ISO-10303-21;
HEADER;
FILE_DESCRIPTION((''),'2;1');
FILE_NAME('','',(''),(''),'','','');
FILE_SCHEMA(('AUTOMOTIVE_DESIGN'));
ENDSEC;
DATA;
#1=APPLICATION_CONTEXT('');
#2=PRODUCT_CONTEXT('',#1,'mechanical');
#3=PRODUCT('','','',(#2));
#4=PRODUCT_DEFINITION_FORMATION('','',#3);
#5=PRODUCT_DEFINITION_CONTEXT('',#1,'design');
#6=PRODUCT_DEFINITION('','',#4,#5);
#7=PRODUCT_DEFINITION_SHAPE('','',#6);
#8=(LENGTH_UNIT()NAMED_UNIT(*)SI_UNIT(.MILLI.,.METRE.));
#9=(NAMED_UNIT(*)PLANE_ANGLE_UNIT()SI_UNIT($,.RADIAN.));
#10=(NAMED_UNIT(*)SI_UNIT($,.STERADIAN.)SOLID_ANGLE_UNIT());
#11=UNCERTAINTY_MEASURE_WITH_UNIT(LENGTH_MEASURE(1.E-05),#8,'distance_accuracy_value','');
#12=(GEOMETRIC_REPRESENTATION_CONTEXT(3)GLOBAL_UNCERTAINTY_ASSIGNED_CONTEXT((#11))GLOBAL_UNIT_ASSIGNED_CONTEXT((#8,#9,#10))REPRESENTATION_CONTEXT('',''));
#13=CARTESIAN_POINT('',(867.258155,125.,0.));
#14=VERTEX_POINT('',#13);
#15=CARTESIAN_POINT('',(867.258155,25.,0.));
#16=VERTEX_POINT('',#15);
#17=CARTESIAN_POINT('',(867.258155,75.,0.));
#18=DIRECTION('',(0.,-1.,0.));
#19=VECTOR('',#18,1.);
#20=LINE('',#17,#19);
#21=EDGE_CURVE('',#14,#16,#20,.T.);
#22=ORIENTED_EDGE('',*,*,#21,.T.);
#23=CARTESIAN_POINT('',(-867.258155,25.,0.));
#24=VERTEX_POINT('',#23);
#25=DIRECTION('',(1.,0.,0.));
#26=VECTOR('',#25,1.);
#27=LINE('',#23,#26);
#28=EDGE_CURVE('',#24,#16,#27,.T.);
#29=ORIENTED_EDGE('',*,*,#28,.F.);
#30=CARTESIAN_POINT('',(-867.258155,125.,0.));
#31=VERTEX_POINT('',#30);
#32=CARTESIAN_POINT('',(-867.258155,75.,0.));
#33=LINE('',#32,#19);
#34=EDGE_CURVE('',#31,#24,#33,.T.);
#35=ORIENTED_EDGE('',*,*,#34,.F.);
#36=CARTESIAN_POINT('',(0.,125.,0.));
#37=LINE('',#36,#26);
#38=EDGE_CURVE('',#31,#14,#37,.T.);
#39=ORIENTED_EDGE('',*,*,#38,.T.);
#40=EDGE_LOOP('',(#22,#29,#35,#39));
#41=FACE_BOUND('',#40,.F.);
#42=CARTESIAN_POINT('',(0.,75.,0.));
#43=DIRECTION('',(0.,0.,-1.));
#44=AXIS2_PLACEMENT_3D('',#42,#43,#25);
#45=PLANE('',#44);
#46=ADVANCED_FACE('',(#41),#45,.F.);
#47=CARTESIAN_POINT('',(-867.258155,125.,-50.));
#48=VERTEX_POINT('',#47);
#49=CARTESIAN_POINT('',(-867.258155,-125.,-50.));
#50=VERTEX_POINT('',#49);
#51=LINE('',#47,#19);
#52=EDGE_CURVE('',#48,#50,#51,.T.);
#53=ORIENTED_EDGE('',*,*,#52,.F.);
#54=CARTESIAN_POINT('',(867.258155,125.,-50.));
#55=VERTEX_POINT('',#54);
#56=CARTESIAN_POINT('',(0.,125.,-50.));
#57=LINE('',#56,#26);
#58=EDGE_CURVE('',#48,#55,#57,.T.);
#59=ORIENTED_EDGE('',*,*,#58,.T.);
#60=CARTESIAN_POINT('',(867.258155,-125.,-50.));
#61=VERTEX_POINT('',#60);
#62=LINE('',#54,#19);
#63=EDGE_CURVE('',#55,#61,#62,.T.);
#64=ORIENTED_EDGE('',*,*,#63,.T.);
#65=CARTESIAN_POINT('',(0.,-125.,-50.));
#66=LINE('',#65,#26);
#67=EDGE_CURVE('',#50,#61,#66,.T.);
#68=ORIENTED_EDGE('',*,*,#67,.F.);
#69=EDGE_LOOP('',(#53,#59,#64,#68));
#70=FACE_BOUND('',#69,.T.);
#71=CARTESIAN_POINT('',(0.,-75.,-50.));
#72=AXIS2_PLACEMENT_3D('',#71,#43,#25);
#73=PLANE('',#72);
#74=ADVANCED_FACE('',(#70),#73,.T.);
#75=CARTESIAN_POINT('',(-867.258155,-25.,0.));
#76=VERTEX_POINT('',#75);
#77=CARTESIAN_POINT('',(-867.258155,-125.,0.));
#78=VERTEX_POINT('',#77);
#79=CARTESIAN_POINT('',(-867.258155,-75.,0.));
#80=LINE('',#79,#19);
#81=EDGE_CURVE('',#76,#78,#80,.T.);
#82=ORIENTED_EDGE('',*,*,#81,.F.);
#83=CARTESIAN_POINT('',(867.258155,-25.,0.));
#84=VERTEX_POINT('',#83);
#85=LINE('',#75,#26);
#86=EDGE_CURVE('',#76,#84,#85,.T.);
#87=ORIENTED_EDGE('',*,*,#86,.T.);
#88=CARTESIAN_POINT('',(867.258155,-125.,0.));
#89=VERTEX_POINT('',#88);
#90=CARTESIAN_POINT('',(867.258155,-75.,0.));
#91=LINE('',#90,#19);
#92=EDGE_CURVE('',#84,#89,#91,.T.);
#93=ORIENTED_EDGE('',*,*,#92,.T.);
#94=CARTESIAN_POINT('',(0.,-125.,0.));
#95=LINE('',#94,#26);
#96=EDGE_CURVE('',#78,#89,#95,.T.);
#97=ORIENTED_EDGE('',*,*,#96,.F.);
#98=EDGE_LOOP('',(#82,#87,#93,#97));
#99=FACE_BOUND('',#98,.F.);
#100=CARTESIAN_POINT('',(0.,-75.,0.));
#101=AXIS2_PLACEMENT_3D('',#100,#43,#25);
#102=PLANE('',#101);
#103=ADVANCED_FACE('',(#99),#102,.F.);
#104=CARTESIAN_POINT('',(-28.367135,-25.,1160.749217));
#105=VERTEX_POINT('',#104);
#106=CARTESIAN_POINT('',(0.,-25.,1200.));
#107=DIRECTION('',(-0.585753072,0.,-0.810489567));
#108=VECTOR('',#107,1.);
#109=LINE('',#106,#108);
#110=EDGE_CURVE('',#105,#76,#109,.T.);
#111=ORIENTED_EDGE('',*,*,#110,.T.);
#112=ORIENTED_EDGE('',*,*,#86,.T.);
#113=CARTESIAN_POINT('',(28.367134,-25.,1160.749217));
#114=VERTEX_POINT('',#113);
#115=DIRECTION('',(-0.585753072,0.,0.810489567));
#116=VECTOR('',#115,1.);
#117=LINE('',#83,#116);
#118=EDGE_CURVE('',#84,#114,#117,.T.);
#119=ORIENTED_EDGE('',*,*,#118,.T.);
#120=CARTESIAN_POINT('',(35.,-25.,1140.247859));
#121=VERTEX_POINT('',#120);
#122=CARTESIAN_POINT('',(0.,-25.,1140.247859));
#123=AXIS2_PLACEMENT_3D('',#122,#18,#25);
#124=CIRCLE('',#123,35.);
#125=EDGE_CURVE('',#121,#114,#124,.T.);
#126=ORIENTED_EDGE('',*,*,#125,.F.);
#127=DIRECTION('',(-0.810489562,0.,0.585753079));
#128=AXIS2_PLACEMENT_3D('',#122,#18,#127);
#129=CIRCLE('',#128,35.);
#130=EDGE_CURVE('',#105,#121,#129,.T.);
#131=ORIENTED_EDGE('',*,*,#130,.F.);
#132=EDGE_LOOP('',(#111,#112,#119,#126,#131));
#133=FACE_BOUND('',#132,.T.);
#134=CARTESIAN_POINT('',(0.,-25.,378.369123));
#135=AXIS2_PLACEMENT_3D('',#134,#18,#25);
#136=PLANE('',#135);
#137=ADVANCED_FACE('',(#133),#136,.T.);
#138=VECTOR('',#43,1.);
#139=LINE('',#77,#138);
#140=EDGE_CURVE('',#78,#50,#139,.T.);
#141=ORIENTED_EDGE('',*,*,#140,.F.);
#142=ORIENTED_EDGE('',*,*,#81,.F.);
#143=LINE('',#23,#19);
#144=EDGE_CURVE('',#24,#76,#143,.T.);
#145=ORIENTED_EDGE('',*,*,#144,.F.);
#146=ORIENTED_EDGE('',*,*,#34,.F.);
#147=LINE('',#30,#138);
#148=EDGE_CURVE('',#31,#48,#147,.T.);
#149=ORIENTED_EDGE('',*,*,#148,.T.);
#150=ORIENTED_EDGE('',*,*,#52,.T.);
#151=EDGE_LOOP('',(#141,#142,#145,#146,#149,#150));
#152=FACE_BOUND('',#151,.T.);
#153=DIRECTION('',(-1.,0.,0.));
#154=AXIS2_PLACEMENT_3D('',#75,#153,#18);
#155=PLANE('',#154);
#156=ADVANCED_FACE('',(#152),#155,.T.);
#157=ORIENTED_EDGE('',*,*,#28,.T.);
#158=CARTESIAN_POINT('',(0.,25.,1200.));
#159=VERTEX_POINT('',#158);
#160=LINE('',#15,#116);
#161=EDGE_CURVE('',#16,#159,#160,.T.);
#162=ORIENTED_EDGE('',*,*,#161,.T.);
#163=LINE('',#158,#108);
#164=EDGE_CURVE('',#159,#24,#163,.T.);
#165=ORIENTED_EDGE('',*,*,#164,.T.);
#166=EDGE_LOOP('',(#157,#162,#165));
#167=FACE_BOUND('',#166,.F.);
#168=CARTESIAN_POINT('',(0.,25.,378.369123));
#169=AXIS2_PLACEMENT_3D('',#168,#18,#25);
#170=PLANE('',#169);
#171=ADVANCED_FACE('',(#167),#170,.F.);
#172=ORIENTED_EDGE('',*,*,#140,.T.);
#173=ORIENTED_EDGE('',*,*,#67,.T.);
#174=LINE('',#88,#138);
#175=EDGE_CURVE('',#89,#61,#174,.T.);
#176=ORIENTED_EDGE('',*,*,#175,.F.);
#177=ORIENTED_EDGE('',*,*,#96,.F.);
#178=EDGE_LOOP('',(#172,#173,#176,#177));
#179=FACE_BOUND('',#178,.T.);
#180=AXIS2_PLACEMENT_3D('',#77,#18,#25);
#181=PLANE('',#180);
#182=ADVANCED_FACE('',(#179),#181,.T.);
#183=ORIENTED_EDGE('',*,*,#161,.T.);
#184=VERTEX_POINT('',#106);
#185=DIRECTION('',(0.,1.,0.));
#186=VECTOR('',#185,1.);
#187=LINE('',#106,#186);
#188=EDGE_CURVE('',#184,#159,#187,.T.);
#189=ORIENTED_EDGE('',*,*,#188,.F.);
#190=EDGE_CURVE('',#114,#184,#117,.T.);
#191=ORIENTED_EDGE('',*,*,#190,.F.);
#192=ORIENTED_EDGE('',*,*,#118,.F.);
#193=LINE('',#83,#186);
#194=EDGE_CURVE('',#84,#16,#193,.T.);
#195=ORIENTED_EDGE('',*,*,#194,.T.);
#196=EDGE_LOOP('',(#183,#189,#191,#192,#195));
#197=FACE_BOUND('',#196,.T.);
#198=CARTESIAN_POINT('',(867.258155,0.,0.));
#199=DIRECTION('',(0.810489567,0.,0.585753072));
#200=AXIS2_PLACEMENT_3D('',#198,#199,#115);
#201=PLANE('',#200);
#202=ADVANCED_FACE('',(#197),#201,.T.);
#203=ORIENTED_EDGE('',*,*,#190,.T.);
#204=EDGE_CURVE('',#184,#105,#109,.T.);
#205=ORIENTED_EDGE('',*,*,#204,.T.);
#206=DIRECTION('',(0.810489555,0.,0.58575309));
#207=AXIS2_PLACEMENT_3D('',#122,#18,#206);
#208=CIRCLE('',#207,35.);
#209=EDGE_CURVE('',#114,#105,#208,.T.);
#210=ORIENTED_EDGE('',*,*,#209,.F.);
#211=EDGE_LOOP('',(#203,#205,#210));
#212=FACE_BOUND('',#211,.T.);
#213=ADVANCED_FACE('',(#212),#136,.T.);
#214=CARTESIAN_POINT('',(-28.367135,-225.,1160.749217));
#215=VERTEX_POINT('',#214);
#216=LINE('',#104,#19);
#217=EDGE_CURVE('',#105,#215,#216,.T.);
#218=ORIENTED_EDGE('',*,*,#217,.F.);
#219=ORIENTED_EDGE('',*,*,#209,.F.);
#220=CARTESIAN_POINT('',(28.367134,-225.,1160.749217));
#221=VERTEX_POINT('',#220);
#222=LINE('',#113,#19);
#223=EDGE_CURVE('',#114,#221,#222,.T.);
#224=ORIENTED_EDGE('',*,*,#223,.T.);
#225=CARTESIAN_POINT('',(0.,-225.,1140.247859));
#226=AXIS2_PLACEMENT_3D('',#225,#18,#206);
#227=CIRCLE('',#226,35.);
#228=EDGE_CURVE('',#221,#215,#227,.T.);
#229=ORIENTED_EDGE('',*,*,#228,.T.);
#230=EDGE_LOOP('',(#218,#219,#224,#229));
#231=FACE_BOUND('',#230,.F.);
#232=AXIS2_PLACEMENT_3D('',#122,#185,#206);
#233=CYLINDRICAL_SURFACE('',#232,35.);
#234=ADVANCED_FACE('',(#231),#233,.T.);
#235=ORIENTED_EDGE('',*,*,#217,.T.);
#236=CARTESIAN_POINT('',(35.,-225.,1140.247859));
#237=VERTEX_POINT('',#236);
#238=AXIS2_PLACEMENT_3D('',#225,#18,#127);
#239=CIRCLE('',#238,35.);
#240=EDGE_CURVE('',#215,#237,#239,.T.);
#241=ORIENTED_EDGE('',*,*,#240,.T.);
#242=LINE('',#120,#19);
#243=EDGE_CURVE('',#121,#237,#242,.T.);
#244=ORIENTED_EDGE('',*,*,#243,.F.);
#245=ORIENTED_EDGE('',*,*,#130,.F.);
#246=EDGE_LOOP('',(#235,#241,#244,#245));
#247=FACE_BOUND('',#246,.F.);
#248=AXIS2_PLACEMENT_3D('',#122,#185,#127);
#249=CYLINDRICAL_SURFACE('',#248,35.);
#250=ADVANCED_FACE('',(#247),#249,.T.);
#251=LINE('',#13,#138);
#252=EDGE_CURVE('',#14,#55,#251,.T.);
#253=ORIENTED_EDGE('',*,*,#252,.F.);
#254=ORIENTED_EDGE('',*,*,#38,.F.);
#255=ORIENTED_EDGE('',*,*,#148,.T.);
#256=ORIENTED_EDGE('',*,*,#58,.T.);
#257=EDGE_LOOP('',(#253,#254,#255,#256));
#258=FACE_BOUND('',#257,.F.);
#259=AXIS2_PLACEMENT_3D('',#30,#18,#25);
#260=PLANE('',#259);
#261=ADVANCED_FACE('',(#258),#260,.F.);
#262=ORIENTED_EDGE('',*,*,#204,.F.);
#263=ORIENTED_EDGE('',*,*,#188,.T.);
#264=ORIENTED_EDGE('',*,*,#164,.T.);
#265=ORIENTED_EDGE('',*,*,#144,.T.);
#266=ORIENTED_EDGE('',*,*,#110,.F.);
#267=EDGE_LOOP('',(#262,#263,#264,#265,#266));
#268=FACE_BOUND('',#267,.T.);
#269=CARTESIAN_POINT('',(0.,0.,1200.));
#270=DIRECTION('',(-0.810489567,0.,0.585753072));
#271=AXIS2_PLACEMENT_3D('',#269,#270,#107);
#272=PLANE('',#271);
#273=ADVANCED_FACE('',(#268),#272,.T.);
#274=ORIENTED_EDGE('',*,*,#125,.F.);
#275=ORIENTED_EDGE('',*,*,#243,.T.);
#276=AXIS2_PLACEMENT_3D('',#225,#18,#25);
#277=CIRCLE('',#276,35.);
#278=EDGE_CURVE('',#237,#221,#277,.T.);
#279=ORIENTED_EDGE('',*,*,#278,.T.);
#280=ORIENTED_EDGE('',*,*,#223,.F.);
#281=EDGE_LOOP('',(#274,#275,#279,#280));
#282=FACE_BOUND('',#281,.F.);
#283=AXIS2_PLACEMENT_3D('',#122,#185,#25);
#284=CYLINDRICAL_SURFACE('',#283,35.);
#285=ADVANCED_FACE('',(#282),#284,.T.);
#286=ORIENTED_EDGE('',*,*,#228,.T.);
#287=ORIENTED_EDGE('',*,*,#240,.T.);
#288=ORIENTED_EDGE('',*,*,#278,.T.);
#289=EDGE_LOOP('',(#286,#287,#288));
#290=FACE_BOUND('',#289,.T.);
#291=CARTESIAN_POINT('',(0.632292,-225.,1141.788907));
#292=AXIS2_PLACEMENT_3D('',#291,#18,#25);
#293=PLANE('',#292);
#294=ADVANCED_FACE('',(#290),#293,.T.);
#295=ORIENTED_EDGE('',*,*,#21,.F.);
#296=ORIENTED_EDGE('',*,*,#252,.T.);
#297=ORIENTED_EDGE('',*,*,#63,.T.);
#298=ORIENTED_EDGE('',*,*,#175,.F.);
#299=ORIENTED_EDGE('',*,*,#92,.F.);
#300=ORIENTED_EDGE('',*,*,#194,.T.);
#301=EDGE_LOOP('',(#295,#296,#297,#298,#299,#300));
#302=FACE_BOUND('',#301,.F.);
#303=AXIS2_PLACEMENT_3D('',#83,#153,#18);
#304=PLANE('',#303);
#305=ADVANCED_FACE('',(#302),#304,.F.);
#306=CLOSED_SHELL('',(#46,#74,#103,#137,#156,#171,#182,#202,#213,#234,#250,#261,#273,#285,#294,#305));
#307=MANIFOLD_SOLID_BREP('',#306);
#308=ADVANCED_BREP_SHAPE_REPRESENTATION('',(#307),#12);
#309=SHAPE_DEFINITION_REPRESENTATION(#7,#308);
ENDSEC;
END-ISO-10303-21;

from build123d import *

# Parameters (mm, degrees)
F1_DEPTH   = 25
F3_DEPTH   = 200
F4_W       = 1734.5163099376
F4_H       = 100
F1_FACE1_W = 1734.5163099376
F1_FACE1_H = 50
F5_DEPTH   = 50


with BuildPart() as f1:
    # F0 (on Front) → F1 (new body, symmetric)
    with BuildSketch(Plane.XZ):
        Polygon((0, 1200), (-867.2581549688, 0), (867.2581549688, 0), align=None)
    extrude(amount=F1_DEPTH, both=True)

    # F2 (on face) → F3 (join)
    with BuildSketch(Plane.XZ.offset(25)):
        with BuildLine():
            ThreePointArc((-28.3671346864, 1160.7492170254), (-10.7738174752, 1106.9473358987), (35, 1140.2478592731))
            ThreePointArc((35, 1140.2478592731), (33.3005233016, 1151.0216769733), (28.3671344093, 1160.7492174087))
            ThreePointArc((28.3671344093, 1160.7492174087), (-2.365e-07, 1175.2478592731), (-28.3671346864, 1160.7492170254))
        make_face()
    extrude(amount=F3_DEPTH)

    # F4 (on face) + F1_face1 (on face) → F5 (join)
    with BuildSketch(Plane(origin=(0, 0, 0), x_dir=(1, 0, 0), z_dir=(0, 0, -1))):
        with Locations((0, 75)):
            Rectangle(F4_W, F4_H)
        with Locations((0, -75)):
            Rectangle(F4_W, F4_H)
    with BuildSketch(Plane(origin=(0, 0, 0), x_dir=(1, 0, 0), z_dir=(0, 0, -1))):
        Rectangle(F1_FACE1_W, F1_FACE1_H)
    extrude(amount=F5_DEPTH)


solid = f1.part
